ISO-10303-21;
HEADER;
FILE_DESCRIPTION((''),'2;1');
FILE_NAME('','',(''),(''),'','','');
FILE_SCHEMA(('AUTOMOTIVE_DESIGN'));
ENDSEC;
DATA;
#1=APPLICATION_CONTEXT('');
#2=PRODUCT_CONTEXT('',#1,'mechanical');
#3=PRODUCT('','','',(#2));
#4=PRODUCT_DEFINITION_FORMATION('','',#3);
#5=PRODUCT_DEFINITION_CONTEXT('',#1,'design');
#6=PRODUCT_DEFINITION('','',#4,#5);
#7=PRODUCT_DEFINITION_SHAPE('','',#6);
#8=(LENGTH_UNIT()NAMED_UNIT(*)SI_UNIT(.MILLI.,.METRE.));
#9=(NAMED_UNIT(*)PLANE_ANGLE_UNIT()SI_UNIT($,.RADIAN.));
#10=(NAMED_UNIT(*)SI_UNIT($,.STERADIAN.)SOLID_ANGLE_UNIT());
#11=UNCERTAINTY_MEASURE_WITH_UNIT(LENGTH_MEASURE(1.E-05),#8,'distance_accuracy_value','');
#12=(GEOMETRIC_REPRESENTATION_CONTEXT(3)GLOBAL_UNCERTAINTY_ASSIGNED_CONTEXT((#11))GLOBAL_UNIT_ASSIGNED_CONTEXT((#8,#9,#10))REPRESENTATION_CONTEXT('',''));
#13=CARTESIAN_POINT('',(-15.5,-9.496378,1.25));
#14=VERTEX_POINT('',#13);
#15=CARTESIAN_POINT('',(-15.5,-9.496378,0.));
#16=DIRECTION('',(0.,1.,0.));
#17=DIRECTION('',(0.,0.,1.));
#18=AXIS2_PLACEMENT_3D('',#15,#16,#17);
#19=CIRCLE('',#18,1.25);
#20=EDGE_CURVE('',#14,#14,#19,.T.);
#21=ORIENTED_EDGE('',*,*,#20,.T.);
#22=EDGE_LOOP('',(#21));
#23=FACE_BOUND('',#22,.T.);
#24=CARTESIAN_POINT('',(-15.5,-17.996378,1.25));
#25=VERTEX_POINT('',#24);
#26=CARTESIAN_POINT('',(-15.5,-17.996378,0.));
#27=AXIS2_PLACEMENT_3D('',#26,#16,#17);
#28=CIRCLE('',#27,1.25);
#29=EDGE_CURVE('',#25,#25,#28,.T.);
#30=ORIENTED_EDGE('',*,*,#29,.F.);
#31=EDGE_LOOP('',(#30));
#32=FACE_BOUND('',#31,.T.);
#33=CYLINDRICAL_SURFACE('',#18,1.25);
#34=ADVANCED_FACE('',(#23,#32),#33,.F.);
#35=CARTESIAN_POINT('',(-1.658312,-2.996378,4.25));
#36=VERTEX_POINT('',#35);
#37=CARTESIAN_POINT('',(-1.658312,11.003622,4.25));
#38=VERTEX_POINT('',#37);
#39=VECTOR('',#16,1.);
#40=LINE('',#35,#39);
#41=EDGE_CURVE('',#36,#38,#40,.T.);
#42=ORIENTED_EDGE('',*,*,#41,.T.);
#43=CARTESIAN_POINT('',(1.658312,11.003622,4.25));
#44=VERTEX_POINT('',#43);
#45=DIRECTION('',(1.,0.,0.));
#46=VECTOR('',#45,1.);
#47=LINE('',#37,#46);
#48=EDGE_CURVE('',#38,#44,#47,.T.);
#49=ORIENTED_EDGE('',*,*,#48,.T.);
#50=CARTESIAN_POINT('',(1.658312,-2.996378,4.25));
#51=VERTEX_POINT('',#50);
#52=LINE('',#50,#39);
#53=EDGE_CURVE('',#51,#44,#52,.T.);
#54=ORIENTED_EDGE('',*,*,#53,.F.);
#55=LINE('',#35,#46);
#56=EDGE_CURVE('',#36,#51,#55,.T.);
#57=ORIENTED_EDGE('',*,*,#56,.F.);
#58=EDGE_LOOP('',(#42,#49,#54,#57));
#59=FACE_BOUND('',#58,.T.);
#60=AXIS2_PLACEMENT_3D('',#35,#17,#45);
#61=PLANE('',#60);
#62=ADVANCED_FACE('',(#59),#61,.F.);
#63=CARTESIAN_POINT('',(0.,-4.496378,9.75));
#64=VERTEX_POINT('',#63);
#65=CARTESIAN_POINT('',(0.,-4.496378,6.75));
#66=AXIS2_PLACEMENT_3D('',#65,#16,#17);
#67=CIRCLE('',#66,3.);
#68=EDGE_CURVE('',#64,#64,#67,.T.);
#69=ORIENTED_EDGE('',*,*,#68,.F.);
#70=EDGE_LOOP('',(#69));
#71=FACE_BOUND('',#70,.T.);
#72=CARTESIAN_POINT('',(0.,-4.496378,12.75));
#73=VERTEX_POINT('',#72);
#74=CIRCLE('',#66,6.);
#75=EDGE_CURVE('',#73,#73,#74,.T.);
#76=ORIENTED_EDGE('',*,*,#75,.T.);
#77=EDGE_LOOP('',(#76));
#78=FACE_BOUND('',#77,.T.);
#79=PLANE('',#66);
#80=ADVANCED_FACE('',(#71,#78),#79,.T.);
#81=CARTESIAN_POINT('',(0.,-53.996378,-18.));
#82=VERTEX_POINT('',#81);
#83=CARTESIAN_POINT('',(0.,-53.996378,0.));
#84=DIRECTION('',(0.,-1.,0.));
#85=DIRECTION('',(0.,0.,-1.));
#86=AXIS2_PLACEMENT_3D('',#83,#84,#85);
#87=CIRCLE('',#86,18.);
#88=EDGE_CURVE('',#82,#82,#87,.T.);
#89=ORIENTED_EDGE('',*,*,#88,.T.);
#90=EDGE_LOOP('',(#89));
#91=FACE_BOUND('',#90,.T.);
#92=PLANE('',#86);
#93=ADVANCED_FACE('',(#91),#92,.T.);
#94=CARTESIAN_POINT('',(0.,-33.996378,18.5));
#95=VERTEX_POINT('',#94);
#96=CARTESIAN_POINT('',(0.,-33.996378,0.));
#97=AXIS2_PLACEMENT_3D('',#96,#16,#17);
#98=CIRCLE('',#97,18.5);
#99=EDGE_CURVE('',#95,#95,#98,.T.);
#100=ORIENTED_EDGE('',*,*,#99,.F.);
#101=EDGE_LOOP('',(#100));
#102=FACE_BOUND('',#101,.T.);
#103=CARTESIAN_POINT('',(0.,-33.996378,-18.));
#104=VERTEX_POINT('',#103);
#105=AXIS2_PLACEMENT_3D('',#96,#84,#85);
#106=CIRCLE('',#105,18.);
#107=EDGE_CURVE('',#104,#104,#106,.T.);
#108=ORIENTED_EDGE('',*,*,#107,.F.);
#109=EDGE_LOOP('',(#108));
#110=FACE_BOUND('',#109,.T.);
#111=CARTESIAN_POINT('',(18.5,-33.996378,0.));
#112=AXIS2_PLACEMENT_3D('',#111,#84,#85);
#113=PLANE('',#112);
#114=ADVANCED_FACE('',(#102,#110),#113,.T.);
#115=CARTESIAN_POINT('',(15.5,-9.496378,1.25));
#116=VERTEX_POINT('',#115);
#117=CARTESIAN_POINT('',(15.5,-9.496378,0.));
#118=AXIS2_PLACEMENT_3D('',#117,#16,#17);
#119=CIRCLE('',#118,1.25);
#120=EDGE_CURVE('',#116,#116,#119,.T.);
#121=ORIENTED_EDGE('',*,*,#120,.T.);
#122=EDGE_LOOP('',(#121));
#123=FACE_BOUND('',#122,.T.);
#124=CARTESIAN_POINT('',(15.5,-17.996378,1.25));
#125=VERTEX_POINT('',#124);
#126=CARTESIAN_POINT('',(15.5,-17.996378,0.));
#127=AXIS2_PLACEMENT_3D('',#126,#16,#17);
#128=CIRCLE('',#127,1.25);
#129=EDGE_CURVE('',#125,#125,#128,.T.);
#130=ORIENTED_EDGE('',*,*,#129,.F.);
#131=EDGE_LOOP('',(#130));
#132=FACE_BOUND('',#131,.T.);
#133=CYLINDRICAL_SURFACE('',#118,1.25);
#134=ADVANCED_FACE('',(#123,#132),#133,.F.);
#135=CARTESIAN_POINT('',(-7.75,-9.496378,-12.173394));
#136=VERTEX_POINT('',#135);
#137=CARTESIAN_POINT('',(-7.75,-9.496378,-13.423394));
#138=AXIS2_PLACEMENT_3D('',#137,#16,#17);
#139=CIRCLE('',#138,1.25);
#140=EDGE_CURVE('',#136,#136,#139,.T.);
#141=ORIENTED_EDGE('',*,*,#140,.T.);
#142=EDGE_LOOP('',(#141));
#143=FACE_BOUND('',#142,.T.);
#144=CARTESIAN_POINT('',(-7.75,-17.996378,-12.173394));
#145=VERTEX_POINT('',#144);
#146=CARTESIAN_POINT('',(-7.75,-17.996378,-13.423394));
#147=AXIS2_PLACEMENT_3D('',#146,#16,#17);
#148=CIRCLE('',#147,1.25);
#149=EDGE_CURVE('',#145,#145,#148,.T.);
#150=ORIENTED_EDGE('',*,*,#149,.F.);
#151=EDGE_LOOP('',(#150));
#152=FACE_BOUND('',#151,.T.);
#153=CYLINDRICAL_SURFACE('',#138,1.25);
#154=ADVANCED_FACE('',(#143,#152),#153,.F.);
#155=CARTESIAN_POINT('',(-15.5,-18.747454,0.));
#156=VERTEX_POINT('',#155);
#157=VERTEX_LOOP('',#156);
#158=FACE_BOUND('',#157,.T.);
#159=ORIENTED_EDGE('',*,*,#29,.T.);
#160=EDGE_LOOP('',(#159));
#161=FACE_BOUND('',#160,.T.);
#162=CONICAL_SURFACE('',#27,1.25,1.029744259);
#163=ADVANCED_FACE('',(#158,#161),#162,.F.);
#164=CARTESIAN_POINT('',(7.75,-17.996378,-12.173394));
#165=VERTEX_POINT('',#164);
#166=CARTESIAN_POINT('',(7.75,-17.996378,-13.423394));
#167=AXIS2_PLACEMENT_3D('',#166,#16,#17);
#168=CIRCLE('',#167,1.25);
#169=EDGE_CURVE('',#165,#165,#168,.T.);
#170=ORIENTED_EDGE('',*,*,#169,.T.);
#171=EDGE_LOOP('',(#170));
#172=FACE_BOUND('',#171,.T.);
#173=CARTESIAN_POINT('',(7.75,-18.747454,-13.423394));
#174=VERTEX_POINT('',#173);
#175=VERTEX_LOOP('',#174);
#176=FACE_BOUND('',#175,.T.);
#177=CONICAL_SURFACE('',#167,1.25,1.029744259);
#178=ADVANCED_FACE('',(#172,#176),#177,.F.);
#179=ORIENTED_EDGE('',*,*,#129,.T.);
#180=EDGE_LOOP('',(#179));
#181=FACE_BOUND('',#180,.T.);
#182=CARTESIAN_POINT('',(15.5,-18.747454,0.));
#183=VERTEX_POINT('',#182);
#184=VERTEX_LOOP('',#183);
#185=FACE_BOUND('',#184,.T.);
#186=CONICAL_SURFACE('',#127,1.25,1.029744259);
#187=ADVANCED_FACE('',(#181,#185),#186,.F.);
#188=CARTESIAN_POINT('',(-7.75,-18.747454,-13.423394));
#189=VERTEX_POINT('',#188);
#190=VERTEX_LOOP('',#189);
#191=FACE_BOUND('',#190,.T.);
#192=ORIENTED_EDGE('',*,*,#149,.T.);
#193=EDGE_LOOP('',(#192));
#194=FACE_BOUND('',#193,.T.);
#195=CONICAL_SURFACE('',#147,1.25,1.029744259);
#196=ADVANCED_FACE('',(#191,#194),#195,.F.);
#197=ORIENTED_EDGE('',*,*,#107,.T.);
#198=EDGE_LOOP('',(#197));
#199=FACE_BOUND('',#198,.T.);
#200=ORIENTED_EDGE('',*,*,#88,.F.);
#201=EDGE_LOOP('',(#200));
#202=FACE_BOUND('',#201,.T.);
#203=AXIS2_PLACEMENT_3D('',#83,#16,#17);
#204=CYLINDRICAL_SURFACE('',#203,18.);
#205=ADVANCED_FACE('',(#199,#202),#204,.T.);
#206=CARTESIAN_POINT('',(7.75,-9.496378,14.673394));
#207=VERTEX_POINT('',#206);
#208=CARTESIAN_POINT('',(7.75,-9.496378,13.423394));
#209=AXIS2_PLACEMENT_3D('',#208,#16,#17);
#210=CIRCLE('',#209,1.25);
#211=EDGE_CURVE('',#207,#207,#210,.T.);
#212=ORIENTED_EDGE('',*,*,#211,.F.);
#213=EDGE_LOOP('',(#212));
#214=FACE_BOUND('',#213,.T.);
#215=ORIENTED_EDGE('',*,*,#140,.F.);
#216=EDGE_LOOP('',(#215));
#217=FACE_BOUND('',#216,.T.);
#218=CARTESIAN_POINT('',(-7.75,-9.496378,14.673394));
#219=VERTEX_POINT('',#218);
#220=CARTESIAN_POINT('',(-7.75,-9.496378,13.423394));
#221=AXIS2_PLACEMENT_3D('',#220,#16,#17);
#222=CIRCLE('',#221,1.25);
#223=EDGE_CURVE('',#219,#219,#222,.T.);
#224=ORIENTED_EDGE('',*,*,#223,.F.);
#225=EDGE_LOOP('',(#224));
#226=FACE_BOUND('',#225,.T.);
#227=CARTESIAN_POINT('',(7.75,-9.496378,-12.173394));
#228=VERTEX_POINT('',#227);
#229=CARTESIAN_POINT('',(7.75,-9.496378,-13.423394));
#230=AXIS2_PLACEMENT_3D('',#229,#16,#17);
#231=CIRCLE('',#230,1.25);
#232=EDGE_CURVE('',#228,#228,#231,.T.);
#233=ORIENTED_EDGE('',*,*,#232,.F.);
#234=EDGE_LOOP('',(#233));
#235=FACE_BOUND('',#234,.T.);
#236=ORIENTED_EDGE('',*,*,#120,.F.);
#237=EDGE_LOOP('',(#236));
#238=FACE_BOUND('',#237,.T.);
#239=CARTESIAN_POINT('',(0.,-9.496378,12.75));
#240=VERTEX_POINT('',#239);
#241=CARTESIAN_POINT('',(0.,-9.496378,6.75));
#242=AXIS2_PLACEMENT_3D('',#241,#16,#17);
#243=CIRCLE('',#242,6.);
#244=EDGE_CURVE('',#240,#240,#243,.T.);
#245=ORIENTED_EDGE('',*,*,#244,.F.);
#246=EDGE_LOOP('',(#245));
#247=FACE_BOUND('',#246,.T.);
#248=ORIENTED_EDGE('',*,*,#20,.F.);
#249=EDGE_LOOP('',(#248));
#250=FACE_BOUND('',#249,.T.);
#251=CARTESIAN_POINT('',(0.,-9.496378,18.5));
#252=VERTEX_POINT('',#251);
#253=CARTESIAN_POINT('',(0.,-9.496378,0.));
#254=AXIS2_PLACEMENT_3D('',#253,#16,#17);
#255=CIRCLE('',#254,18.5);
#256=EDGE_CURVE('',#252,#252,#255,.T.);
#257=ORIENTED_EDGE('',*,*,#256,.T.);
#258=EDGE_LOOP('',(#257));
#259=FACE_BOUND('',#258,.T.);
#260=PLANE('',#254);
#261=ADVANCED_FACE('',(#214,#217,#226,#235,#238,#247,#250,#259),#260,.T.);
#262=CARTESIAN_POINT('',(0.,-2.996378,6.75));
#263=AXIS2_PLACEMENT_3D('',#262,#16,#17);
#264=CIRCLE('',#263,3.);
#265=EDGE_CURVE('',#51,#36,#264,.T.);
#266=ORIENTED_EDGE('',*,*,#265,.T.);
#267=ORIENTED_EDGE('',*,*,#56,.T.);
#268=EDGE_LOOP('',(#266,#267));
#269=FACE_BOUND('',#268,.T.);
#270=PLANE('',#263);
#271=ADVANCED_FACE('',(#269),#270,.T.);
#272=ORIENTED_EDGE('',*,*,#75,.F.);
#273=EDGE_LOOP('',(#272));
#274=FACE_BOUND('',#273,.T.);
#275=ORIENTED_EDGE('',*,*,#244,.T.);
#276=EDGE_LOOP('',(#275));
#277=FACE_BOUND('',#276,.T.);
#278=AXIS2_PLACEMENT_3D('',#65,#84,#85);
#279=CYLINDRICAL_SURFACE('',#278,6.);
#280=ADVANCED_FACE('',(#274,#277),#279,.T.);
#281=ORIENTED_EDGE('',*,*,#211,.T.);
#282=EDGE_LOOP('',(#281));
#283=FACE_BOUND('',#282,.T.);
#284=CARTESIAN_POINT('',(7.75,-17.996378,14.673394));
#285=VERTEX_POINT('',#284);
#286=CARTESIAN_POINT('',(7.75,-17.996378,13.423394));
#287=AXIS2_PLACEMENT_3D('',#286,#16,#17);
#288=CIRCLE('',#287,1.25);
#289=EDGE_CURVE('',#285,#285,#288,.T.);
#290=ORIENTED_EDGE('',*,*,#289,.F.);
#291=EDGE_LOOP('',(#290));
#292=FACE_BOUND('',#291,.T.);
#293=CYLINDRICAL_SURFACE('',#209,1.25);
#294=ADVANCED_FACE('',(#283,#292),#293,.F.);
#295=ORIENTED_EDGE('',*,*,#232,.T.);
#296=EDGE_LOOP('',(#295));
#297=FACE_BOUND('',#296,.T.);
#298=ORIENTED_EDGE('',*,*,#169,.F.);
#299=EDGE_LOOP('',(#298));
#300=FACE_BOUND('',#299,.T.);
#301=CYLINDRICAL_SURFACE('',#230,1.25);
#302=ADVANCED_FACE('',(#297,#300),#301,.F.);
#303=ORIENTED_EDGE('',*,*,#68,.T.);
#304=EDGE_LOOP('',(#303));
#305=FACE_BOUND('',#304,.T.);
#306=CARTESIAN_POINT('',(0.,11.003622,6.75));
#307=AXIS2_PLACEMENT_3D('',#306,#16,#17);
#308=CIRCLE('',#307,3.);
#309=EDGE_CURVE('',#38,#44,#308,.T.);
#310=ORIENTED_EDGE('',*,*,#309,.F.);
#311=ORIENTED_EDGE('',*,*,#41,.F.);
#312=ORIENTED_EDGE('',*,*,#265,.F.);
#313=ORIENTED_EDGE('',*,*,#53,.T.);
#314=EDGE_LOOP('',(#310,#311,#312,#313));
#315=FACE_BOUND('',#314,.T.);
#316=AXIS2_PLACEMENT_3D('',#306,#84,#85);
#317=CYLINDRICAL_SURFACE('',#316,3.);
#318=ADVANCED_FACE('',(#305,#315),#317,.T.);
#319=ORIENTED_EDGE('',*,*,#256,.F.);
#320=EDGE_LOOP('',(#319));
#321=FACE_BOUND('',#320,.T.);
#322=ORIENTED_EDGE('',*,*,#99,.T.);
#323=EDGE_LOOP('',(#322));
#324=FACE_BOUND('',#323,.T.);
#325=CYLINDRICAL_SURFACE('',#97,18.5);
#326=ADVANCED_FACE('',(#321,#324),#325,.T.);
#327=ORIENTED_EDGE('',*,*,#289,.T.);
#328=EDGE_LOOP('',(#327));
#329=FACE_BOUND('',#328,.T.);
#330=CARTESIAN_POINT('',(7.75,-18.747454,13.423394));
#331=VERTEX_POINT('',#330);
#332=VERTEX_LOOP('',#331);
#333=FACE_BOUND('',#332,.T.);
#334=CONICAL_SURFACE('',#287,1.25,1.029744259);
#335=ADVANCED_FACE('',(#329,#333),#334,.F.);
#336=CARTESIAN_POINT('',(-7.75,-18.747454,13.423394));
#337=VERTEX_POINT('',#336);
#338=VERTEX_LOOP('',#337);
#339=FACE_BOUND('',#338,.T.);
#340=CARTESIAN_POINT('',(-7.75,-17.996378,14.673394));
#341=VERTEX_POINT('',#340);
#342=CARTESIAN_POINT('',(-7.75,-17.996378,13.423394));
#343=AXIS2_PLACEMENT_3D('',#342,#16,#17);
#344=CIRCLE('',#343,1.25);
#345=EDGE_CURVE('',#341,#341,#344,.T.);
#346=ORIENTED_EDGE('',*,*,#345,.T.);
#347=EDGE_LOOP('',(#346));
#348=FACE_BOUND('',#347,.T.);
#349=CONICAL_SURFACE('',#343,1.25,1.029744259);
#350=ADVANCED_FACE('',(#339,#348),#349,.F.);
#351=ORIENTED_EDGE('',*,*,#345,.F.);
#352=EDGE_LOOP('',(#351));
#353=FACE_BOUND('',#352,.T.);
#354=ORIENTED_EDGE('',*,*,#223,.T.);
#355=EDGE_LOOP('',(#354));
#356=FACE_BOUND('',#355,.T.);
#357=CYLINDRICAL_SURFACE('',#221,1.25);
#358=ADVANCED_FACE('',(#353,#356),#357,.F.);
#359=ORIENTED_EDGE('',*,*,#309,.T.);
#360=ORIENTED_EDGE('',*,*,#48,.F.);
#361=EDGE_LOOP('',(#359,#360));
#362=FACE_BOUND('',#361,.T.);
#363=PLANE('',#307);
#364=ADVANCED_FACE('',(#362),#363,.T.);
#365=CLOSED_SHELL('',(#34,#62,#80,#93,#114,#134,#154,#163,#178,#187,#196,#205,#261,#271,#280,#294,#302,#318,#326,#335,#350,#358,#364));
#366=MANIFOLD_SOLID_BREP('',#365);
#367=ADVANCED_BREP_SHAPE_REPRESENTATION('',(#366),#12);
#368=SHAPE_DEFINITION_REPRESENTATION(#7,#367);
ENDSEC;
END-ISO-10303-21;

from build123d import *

# Parameters (mm, degrees)
SKETCH_1_W                  = 18.5
SKETCH_1_H                  = 24.5
SKETCH_2_R                  = 6
EXTRUDE_1_DEPTH             = 5
SKETCH_3_R                  = 3
EXTRUDE_2_DEPTH             = 15.5
CUT_EXTRUDE_START           = -14
CUT_EXTRUDE_1_DEPTH         = 14
SKETCH_5_R                  = 18
EXTRUDE_3_DEPTH             = 20
HOLE_WIZARD_2_5_2_5_1_D     = 2.5
HOLE_WIZARD_2_5_2_5_1_DEPTH = 8.5
HOLE_WIZARD_2_5_2_5_1_TIP   = 0.751075774


with BuildPart() as part:
    # 草图1 → 旋转1 (revolve)
    with BuildSketch(Plane(origin=(0, 0, 0), x_dir=(-1, 0, 0), z_dir=(0, 0, -1)), mode=Mode.PRIVATE) as revolve_1_sk:
        with Locations((-9.25, -21.746377743)):
            Rectangle(SKETCH_1_W, SKETCH_1_H)
    revolve(revolve_1_sk.sketch.rotate(Axis((0, -33.996377743, 0), (0, 1, 0)), 270), axis=Axis((0, -33.996377743, 0), (0, 1, 0)))

    # 草图2 → 凸台-拉伸1 (add)
    with BuildSketch(Plane(origin=(0, -9.496377743, 0), x_dir=(-1, 0, 0), z_dir=(0, 1, 0))):
        with Locations(Location((0, 6.75, 0), (0, 0, 90))):
            Circle(SKETCH_2_R)
    extrude(amount=EXTRUDE_1_DEPTH)

    # 草图3 → 凸台-拉伸2 (add)
    with BuildSketch(Plane(origin=(0, -4.496377743, 0), x_dir=(-1, 0, 0), z_dir=(0, 1, 0))):
        with Locations(Location((0, 6.75, 0), (0, 0, 90))):
            Circle(SKETCH_3_R)
    extrude(amount=EXTRUDE_2_DEPTH)

    # 草图4 → 切除-拉伸1 (cut)
    with BuildSketch(Plane(origin=(0, 11.003622257, 0), x_dir=(-1, 0, 0), z_dir=(0, 1, 0)).offset(CUT_EXTRUDE_START)):
        with BuildLine():
            Line((1.658312395, 4.25), (-1.658312395, 4.25))
            ThreePointArc((-1.658312395, 4.25), (0, 3.75), (1.658312395, 4.25))
        make_face()
    extrude(amount=CUT_EXTRUDE_1_DEPTH, mode=Mode.SUBTRACT)

    # 草图5 → 凸台-拉伸3 (add)
    with BuildSketch(Plane.XZ.offset(33.996377743)):
        with Locations(Location((0, 0, 0), (0, 0, 270))):
            Circle(SKETCH_5_R)
    extrude(amount=EXTRUDE_3_DEPTH)

    # Ø2.5 (2.5) 直径孔1
    with Locations(Plane(origin=(0, -9.496377743, 0), x_dir=(1, 0, 0), z_dir=(0, 1, 0))):
        with Locations((-7.75, 13.423393759), (7.75, 13.423393759), (15.5, 0), (7.75, -13.423393759), (-7.75, -13.423393759), (-15.5, 0)):
            Hole(HOLE_WIZARD_2_5_2_5_1_D / 2, depth=HOLE_WIZARD_2_5_2_5_1_DEPTH)
            with Locations((0, 0, -(HOLE_WIZARD_2_5_2_5_1_DEPTH + HOLE_WIZARD_2_5_2_5_1_TIP / 2))):  # 118° drill point
                Cone(0, HOLE_WIZARD_2_5_2_5_1_D / 2, HOLE_WIZARD_2_5_2_5_1_TIP, mode=Mode.SUBTRACT)


solid = part.part
